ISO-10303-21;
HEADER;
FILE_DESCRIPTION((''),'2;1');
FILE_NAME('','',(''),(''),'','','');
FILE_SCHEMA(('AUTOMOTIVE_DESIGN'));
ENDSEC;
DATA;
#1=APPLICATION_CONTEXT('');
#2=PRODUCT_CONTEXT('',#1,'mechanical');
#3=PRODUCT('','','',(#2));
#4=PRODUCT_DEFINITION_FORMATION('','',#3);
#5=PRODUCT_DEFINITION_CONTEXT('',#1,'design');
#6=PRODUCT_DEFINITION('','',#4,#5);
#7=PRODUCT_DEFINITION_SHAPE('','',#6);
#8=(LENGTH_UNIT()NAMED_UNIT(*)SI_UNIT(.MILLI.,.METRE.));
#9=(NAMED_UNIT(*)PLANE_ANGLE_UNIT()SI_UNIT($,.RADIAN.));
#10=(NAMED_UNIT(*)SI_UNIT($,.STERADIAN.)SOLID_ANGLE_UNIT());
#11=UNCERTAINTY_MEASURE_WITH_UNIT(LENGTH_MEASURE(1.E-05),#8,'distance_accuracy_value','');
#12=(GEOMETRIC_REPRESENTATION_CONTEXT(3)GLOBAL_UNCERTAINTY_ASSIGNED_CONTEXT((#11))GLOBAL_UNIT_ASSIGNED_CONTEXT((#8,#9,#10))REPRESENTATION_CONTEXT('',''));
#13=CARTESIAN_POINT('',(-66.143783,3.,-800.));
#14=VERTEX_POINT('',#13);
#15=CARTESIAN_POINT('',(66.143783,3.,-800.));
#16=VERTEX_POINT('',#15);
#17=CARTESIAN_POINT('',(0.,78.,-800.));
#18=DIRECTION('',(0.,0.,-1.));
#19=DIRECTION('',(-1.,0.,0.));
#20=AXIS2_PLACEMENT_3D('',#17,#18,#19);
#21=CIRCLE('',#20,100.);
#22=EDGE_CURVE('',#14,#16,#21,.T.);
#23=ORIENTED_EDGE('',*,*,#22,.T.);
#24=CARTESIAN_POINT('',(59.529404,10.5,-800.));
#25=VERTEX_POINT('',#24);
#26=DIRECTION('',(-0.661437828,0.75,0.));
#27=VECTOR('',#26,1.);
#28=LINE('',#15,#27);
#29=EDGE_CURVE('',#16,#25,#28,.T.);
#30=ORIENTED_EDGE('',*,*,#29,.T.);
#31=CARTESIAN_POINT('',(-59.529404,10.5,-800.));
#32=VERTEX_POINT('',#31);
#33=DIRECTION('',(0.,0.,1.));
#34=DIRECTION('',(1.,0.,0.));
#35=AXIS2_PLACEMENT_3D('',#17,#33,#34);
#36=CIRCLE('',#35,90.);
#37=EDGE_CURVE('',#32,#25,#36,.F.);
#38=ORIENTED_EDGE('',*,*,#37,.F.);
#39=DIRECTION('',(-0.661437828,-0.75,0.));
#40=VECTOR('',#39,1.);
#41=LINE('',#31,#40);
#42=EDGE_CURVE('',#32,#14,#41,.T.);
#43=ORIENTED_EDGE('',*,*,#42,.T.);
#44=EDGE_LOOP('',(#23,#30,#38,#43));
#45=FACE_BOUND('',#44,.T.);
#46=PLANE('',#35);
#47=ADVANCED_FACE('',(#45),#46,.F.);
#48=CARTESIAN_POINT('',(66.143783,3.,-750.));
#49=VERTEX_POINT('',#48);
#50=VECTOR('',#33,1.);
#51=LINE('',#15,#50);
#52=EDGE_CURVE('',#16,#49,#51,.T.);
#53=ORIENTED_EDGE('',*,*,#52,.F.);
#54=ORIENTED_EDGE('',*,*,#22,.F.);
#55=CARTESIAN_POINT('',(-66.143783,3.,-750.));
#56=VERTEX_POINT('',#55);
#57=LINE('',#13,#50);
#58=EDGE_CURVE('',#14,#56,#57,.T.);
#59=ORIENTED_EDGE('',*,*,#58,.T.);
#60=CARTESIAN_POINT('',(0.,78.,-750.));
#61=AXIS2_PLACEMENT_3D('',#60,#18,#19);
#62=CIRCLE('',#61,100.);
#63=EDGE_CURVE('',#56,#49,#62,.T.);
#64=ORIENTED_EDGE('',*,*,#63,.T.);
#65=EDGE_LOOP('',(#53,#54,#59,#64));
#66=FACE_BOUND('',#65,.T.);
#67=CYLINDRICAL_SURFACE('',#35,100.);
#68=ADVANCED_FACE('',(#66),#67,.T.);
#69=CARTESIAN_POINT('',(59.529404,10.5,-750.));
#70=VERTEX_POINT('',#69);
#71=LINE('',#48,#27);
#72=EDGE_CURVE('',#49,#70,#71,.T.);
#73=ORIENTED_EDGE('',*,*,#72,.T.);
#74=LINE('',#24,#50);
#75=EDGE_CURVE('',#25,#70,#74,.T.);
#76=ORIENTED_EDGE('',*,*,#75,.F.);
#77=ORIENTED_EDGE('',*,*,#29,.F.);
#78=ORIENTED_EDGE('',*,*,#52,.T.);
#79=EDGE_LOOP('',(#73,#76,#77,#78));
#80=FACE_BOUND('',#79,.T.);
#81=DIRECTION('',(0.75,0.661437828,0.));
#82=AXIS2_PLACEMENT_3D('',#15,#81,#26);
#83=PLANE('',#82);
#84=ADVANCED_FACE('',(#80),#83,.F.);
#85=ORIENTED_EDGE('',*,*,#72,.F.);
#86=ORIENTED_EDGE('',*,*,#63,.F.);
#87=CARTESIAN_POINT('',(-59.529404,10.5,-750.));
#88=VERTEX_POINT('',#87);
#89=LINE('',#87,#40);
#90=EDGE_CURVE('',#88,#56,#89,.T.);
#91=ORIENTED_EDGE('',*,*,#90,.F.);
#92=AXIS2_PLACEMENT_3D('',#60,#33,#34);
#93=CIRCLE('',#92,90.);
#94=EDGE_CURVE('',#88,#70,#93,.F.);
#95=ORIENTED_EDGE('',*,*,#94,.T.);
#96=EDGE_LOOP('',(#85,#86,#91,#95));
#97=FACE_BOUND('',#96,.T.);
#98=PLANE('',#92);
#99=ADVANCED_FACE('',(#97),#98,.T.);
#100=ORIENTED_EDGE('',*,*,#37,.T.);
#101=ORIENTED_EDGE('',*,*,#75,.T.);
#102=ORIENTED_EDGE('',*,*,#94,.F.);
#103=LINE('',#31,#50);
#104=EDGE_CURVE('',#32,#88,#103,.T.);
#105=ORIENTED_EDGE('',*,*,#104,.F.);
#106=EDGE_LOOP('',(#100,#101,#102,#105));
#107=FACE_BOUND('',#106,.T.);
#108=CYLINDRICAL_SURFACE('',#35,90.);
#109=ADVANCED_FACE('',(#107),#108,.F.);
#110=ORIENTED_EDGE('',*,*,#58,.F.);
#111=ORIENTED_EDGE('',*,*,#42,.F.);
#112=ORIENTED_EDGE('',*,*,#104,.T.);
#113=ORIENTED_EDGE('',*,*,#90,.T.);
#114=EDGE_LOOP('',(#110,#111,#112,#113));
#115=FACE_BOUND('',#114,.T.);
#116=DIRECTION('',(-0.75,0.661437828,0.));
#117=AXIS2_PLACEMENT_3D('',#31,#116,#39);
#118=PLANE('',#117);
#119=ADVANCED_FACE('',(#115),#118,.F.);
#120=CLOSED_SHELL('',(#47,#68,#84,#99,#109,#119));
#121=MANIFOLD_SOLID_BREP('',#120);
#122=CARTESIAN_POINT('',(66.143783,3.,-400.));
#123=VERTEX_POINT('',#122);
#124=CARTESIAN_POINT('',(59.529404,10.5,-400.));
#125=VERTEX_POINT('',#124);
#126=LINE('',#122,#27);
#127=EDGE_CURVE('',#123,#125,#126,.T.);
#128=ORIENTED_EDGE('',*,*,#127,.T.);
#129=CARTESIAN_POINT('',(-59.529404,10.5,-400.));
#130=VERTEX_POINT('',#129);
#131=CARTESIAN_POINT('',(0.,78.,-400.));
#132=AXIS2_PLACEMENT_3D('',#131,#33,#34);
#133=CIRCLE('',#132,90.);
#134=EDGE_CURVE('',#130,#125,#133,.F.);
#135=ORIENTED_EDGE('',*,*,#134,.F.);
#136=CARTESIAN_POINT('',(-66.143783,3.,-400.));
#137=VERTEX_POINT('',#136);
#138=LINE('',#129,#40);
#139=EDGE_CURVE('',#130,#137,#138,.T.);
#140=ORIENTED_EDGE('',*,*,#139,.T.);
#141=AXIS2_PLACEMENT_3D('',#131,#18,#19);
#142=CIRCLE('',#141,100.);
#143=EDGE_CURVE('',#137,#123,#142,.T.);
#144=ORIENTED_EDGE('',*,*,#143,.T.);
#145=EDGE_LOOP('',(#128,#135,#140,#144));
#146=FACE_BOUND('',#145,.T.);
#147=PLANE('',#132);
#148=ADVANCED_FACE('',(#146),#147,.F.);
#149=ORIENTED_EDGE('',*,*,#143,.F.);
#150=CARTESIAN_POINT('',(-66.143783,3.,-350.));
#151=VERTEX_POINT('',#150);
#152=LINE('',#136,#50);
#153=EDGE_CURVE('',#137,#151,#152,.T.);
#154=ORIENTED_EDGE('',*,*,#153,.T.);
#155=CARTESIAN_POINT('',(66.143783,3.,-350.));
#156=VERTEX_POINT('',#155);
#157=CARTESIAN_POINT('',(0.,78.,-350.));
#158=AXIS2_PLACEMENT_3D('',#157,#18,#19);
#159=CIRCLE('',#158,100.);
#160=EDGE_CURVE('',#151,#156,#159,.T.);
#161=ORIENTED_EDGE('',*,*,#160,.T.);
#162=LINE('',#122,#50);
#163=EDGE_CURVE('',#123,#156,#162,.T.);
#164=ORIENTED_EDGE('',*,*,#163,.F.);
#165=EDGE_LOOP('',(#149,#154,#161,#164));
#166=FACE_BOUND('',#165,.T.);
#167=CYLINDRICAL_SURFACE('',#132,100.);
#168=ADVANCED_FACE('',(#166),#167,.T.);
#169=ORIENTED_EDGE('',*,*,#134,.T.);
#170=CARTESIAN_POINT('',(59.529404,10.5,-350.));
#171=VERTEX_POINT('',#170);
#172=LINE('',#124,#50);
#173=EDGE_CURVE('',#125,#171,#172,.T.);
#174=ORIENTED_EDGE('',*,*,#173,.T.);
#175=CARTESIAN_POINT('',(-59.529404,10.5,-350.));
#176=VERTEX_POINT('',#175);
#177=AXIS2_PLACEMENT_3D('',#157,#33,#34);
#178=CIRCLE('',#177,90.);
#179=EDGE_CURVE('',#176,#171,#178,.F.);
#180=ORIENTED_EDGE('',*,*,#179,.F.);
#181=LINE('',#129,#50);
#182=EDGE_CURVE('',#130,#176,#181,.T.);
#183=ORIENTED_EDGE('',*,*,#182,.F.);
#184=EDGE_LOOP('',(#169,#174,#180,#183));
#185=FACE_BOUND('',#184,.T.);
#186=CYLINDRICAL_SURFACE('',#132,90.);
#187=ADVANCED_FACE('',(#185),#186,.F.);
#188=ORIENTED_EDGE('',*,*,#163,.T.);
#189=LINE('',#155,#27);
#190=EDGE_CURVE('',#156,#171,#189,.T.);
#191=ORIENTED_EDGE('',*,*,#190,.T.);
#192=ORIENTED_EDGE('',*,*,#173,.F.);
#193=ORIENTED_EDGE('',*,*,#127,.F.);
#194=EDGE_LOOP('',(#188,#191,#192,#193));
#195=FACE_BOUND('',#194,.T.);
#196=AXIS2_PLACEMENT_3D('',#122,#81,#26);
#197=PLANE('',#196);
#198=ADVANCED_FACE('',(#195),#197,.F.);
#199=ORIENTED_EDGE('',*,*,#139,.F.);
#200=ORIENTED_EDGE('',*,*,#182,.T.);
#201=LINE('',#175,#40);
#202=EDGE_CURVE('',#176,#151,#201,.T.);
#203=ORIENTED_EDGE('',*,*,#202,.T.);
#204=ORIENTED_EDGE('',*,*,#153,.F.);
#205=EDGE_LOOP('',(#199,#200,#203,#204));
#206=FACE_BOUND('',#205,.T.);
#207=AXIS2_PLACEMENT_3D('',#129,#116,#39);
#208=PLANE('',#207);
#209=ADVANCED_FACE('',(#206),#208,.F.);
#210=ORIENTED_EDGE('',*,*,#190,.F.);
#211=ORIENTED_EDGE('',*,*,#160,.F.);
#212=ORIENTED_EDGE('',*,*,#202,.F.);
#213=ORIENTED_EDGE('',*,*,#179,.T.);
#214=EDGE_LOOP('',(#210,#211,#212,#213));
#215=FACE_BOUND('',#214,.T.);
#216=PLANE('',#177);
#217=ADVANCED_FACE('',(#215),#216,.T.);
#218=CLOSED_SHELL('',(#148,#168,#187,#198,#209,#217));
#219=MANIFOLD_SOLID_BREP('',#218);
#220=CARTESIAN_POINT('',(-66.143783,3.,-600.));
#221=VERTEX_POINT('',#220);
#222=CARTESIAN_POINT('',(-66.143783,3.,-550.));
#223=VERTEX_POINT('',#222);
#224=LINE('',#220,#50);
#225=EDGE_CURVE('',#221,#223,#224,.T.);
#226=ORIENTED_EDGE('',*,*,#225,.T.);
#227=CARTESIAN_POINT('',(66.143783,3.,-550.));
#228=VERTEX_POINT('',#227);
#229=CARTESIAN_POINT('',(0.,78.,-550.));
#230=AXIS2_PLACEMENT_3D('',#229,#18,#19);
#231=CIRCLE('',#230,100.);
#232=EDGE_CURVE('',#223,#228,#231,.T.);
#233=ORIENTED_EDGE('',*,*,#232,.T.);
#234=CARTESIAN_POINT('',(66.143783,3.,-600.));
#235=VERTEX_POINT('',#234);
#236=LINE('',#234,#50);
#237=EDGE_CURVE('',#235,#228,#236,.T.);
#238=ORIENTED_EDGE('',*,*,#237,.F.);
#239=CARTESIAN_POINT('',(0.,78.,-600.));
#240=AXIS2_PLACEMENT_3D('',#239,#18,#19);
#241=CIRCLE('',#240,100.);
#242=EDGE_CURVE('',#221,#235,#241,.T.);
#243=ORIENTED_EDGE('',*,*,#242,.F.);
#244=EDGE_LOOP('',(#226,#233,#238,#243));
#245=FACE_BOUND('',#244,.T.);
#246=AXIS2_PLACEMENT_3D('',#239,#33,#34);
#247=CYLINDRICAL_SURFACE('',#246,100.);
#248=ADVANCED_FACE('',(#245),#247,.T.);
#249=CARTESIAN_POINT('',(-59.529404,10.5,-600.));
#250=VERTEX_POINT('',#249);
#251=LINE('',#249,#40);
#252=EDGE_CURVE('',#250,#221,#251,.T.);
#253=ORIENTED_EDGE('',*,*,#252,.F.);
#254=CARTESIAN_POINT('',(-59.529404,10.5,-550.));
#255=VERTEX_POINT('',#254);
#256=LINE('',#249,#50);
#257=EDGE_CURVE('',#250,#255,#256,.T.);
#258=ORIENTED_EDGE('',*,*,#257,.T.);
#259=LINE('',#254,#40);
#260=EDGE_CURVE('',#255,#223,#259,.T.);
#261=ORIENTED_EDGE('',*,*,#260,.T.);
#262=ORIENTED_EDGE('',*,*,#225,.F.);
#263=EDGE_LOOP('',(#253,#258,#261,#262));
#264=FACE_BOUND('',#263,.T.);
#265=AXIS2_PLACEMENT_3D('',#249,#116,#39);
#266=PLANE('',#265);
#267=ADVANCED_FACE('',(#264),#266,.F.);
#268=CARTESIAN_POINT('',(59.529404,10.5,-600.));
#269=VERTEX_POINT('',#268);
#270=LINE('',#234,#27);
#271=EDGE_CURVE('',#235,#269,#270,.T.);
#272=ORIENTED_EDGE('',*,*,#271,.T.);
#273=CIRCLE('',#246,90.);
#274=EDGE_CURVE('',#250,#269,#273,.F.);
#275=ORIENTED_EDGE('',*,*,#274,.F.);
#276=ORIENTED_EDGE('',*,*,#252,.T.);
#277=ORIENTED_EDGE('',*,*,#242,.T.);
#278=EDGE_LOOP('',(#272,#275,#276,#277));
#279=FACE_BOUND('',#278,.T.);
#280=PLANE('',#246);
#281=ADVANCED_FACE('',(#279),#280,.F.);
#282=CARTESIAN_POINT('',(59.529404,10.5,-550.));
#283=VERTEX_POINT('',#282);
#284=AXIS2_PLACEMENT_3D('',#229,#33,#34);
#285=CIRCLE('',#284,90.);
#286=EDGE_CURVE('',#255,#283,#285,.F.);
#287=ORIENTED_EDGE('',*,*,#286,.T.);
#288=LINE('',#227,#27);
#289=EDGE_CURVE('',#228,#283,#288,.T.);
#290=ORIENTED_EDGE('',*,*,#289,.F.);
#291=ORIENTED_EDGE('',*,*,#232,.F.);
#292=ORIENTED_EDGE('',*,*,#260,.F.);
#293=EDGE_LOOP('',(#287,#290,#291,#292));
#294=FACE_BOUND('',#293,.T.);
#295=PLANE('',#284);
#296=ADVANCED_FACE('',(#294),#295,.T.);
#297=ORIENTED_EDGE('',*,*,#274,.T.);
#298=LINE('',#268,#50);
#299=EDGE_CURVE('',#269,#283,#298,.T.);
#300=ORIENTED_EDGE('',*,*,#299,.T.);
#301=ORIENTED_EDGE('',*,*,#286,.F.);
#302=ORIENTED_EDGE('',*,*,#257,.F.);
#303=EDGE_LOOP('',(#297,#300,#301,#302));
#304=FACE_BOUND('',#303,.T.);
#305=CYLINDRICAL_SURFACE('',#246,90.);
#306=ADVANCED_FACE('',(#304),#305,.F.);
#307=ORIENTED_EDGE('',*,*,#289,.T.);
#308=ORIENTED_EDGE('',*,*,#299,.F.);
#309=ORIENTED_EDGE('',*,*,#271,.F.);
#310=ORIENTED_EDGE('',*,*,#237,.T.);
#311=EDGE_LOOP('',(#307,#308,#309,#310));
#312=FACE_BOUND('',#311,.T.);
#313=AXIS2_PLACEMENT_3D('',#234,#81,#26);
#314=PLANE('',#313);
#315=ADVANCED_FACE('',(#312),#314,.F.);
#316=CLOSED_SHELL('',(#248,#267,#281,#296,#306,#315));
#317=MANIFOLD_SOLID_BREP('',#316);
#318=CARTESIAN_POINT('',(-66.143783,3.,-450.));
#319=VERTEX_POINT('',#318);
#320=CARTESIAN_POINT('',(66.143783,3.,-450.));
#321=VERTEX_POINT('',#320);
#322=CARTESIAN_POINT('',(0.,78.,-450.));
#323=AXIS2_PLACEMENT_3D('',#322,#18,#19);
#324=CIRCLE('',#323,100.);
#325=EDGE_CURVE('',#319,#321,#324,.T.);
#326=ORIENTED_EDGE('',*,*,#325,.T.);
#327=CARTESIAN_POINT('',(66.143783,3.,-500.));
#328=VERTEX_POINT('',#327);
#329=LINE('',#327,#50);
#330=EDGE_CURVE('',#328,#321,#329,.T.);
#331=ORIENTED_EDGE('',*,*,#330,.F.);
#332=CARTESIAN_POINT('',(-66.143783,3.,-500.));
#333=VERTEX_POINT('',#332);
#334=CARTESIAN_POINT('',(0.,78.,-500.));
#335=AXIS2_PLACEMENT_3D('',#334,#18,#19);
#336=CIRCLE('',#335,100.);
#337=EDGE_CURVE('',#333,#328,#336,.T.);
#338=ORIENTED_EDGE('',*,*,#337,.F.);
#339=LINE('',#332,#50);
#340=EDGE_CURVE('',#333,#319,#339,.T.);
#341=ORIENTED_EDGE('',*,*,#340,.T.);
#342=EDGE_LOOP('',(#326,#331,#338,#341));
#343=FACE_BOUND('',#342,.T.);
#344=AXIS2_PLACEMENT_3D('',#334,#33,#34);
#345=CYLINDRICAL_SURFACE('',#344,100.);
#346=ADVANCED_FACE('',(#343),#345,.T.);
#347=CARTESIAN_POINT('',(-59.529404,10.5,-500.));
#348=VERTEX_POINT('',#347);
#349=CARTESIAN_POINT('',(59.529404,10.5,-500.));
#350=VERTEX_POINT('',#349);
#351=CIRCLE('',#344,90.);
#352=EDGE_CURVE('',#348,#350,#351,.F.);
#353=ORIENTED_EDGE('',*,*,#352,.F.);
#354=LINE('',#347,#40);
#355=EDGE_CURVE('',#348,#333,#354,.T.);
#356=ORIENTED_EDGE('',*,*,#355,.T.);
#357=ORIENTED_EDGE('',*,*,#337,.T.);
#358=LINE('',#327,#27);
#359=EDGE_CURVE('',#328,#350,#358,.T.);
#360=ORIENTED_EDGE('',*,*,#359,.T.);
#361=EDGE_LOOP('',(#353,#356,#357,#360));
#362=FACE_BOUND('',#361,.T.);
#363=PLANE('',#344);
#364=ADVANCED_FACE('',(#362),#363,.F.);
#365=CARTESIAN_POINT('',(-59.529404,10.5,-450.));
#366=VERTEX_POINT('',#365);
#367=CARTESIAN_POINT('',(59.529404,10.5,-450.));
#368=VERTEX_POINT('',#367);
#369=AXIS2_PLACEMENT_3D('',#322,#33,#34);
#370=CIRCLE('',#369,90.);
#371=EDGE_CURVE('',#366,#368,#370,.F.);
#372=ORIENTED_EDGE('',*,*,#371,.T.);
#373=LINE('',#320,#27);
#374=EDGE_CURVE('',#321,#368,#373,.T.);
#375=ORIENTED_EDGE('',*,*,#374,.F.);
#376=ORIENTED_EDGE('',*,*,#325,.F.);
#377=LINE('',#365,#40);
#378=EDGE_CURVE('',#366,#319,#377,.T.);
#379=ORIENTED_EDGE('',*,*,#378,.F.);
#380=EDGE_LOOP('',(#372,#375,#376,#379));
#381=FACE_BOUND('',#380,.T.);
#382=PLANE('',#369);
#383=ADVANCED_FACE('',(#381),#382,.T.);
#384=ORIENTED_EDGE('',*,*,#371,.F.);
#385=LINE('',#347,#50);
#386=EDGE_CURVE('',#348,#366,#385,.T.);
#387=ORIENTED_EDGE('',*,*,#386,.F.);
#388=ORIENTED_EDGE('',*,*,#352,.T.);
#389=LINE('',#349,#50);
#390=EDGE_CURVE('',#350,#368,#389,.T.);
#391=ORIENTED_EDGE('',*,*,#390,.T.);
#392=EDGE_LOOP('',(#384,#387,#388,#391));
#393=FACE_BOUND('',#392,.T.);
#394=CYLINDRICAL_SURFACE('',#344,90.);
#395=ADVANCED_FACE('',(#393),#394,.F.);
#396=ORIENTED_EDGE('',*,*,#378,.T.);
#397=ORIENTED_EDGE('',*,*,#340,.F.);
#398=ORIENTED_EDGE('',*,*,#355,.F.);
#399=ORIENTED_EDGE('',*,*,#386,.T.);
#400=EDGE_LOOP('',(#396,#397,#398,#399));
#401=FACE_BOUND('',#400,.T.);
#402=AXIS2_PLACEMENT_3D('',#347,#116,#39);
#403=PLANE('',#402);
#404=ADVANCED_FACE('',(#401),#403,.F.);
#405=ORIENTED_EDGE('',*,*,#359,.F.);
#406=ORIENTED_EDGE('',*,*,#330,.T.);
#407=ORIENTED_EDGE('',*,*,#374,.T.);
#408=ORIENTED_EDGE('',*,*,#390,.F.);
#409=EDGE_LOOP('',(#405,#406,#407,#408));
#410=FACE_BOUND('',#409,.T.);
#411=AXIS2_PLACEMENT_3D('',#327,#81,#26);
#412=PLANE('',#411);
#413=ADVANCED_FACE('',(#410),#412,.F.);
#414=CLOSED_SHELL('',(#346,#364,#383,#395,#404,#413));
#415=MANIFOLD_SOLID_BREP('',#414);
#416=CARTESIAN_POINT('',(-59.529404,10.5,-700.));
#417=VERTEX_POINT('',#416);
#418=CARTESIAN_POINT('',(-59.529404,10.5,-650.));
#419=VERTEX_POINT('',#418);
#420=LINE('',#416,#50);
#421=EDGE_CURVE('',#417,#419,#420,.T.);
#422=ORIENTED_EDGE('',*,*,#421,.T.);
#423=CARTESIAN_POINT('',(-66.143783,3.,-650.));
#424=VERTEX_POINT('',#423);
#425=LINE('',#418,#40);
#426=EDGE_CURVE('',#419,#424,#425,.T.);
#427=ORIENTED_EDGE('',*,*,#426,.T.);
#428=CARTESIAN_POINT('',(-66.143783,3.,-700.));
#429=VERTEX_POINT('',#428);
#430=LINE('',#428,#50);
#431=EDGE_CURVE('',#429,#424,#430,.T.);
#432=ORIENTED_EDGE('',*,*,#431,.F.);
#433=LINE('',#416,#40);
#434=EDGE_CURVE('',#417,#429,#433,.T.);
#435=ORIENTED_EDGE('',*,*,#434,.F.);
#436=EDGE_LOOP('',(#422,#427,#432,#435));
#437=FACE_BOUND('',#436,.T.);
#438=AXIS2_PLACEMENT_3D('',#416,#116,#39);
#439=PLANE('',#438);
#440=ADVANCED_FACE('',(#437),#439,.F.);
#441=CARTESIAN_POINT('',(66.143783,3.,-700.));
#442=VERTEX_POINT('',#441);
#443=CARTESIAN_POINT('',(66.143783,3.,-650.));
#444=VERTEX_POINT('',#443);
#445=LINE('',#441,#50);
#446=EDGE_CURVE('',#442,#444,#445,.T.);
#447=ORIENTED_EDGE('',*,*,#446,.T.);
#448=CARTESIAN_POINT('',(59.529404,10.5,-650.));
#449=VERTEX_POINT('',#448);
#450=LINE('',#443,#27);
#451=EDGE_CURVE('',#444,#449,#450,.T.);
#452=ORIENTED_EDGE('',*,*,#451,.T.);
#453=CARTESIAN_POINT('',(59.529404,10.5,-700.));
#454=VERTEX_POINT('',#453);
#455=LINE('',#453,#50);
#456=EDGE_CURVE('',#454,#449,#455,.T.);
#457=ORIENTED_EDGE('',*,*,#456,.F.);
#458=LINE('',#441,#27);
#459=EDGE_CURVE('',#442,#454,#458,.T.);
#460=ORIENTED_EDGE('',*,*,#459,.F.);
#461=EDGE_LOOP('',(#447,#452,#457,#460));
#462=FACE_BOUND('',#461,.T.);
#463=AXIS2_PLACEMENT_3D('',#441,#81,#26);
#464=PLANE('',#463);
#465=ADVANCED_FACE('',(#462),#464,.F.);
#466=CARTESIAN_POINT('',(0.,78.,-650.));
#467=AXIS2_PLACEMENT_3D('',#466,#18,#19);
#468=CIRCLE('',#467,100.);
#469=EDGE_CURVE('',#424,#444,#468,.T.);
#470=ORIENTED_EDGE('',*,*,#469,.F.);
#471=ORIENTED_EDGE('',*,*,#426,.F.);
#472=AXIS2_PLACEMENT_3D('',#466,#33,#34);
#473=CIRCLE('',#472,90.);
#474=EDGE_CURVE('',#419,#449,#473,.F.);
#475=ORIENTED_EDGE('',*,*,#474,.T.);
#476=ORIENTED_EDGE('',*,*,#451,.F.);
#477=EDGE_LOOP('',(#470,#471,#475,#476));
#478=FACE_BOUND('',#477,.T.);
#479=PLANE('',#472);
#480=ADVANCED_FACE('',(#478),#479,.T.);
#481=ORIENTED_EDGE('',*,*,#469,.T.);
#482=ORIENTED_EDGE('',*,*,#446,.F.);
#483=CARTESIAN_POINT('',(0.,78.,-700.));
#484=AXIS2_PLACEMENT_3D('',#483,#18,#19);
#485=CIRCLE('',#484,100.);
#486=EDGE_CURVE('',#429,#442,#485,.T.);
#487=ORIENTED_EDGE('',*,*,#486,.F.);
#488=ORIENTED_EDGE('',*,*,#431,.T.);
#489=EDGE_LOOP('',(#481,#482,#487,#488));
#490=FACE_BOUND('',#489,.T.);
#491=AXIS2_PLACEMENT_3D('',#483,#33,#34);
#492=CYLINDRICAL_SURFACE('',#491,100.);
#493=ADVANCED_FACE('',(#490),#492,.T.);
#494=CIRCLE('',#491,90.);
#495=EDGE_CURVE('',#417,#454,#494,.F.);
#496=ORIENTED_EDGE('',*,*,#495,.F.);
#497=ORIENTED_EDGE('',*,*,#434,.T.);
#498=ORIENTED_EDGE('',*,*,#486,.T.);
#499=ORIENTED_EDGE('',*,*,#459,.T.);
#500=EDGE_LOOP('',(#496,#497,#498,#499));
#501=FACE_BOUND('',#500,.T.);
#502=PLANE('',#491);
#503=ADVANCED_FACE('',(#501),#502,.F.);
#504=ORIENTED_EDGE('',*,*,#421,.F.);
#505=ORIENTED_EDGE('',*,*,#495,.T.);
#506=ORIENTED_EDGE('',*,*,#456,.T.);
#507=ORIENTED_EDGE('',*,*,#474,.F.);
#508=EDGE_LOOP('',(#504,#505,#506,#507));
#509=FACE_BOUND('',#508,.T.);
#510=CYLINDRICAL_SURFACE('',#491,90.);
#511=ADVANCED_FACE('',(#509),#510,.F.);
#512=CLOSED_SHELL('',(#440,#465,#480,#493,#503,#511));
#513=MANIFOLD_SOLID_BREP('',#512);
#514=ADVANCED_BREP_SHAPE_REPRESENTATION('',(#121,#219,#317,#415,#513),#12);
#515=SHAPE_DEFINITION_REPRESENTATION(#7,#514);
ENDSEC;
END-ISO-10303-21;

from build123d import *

# Parameters (mm, degrees)
EXTRUDE_THIN1_START = -350
EXTRUDE_THIN1_DEPTH = 50
LPATTERN1_COUNT     = 5
LPATTERN1_PITCH     = 100


with BuildPart() as part:
    # Sketch2 → Extrude-Thin1 (new body)
    with BuildSketch(Plane.XY.offset(EXTRUDE_THIN1_START)):
        with BuildLine():
            ThreePointArc((-66.143782777, 3), (0, 178), (66.143782777, 3))
            Line((66.143782777, 3), (59.529404499, 10.5))
            ThreePointArc((59.529404499, 10.5), (0, 168), (-59.529404499, 10.5))
            Line((-59.529404499, 10.5), (-66.143782777, 3))
        make_face()
    extrude(amount=-EXTRUDE_THIN1_DEPTH)


with BuildPart() as lpattern1_1:
    # LPattern1: pattern copy
    add(part.part.moved(Location(Vector(0, 0, -1) * (1 * LPATTERN1_PITCH))))


with BuildPart() as lpattern1_2:
    # LPattern1: pattern copy
    add(part.part.moved(Location(Vector(0, 0, -1) * (2 * LPATTERN1_PITCH))))


with BuildPart() as lpattern1_3:
    # LPattern1: pattern copy
    add(part.part.moved(Location(Vector(0, 0, -1) * (3 * LPATTERN1_PITCH))))


with BuildPart() as lpattern1_4:
    # LPattern1: pattern copy
    add(part.part.moved(Location(Vector(0, 0, -1) * (4 * LPATTERN1_PITCH))))


solid = Compound([part.part, lpattern1_1.part, lpattern1_2.part, lpattern1_3.part, lpattern1_4.part])
